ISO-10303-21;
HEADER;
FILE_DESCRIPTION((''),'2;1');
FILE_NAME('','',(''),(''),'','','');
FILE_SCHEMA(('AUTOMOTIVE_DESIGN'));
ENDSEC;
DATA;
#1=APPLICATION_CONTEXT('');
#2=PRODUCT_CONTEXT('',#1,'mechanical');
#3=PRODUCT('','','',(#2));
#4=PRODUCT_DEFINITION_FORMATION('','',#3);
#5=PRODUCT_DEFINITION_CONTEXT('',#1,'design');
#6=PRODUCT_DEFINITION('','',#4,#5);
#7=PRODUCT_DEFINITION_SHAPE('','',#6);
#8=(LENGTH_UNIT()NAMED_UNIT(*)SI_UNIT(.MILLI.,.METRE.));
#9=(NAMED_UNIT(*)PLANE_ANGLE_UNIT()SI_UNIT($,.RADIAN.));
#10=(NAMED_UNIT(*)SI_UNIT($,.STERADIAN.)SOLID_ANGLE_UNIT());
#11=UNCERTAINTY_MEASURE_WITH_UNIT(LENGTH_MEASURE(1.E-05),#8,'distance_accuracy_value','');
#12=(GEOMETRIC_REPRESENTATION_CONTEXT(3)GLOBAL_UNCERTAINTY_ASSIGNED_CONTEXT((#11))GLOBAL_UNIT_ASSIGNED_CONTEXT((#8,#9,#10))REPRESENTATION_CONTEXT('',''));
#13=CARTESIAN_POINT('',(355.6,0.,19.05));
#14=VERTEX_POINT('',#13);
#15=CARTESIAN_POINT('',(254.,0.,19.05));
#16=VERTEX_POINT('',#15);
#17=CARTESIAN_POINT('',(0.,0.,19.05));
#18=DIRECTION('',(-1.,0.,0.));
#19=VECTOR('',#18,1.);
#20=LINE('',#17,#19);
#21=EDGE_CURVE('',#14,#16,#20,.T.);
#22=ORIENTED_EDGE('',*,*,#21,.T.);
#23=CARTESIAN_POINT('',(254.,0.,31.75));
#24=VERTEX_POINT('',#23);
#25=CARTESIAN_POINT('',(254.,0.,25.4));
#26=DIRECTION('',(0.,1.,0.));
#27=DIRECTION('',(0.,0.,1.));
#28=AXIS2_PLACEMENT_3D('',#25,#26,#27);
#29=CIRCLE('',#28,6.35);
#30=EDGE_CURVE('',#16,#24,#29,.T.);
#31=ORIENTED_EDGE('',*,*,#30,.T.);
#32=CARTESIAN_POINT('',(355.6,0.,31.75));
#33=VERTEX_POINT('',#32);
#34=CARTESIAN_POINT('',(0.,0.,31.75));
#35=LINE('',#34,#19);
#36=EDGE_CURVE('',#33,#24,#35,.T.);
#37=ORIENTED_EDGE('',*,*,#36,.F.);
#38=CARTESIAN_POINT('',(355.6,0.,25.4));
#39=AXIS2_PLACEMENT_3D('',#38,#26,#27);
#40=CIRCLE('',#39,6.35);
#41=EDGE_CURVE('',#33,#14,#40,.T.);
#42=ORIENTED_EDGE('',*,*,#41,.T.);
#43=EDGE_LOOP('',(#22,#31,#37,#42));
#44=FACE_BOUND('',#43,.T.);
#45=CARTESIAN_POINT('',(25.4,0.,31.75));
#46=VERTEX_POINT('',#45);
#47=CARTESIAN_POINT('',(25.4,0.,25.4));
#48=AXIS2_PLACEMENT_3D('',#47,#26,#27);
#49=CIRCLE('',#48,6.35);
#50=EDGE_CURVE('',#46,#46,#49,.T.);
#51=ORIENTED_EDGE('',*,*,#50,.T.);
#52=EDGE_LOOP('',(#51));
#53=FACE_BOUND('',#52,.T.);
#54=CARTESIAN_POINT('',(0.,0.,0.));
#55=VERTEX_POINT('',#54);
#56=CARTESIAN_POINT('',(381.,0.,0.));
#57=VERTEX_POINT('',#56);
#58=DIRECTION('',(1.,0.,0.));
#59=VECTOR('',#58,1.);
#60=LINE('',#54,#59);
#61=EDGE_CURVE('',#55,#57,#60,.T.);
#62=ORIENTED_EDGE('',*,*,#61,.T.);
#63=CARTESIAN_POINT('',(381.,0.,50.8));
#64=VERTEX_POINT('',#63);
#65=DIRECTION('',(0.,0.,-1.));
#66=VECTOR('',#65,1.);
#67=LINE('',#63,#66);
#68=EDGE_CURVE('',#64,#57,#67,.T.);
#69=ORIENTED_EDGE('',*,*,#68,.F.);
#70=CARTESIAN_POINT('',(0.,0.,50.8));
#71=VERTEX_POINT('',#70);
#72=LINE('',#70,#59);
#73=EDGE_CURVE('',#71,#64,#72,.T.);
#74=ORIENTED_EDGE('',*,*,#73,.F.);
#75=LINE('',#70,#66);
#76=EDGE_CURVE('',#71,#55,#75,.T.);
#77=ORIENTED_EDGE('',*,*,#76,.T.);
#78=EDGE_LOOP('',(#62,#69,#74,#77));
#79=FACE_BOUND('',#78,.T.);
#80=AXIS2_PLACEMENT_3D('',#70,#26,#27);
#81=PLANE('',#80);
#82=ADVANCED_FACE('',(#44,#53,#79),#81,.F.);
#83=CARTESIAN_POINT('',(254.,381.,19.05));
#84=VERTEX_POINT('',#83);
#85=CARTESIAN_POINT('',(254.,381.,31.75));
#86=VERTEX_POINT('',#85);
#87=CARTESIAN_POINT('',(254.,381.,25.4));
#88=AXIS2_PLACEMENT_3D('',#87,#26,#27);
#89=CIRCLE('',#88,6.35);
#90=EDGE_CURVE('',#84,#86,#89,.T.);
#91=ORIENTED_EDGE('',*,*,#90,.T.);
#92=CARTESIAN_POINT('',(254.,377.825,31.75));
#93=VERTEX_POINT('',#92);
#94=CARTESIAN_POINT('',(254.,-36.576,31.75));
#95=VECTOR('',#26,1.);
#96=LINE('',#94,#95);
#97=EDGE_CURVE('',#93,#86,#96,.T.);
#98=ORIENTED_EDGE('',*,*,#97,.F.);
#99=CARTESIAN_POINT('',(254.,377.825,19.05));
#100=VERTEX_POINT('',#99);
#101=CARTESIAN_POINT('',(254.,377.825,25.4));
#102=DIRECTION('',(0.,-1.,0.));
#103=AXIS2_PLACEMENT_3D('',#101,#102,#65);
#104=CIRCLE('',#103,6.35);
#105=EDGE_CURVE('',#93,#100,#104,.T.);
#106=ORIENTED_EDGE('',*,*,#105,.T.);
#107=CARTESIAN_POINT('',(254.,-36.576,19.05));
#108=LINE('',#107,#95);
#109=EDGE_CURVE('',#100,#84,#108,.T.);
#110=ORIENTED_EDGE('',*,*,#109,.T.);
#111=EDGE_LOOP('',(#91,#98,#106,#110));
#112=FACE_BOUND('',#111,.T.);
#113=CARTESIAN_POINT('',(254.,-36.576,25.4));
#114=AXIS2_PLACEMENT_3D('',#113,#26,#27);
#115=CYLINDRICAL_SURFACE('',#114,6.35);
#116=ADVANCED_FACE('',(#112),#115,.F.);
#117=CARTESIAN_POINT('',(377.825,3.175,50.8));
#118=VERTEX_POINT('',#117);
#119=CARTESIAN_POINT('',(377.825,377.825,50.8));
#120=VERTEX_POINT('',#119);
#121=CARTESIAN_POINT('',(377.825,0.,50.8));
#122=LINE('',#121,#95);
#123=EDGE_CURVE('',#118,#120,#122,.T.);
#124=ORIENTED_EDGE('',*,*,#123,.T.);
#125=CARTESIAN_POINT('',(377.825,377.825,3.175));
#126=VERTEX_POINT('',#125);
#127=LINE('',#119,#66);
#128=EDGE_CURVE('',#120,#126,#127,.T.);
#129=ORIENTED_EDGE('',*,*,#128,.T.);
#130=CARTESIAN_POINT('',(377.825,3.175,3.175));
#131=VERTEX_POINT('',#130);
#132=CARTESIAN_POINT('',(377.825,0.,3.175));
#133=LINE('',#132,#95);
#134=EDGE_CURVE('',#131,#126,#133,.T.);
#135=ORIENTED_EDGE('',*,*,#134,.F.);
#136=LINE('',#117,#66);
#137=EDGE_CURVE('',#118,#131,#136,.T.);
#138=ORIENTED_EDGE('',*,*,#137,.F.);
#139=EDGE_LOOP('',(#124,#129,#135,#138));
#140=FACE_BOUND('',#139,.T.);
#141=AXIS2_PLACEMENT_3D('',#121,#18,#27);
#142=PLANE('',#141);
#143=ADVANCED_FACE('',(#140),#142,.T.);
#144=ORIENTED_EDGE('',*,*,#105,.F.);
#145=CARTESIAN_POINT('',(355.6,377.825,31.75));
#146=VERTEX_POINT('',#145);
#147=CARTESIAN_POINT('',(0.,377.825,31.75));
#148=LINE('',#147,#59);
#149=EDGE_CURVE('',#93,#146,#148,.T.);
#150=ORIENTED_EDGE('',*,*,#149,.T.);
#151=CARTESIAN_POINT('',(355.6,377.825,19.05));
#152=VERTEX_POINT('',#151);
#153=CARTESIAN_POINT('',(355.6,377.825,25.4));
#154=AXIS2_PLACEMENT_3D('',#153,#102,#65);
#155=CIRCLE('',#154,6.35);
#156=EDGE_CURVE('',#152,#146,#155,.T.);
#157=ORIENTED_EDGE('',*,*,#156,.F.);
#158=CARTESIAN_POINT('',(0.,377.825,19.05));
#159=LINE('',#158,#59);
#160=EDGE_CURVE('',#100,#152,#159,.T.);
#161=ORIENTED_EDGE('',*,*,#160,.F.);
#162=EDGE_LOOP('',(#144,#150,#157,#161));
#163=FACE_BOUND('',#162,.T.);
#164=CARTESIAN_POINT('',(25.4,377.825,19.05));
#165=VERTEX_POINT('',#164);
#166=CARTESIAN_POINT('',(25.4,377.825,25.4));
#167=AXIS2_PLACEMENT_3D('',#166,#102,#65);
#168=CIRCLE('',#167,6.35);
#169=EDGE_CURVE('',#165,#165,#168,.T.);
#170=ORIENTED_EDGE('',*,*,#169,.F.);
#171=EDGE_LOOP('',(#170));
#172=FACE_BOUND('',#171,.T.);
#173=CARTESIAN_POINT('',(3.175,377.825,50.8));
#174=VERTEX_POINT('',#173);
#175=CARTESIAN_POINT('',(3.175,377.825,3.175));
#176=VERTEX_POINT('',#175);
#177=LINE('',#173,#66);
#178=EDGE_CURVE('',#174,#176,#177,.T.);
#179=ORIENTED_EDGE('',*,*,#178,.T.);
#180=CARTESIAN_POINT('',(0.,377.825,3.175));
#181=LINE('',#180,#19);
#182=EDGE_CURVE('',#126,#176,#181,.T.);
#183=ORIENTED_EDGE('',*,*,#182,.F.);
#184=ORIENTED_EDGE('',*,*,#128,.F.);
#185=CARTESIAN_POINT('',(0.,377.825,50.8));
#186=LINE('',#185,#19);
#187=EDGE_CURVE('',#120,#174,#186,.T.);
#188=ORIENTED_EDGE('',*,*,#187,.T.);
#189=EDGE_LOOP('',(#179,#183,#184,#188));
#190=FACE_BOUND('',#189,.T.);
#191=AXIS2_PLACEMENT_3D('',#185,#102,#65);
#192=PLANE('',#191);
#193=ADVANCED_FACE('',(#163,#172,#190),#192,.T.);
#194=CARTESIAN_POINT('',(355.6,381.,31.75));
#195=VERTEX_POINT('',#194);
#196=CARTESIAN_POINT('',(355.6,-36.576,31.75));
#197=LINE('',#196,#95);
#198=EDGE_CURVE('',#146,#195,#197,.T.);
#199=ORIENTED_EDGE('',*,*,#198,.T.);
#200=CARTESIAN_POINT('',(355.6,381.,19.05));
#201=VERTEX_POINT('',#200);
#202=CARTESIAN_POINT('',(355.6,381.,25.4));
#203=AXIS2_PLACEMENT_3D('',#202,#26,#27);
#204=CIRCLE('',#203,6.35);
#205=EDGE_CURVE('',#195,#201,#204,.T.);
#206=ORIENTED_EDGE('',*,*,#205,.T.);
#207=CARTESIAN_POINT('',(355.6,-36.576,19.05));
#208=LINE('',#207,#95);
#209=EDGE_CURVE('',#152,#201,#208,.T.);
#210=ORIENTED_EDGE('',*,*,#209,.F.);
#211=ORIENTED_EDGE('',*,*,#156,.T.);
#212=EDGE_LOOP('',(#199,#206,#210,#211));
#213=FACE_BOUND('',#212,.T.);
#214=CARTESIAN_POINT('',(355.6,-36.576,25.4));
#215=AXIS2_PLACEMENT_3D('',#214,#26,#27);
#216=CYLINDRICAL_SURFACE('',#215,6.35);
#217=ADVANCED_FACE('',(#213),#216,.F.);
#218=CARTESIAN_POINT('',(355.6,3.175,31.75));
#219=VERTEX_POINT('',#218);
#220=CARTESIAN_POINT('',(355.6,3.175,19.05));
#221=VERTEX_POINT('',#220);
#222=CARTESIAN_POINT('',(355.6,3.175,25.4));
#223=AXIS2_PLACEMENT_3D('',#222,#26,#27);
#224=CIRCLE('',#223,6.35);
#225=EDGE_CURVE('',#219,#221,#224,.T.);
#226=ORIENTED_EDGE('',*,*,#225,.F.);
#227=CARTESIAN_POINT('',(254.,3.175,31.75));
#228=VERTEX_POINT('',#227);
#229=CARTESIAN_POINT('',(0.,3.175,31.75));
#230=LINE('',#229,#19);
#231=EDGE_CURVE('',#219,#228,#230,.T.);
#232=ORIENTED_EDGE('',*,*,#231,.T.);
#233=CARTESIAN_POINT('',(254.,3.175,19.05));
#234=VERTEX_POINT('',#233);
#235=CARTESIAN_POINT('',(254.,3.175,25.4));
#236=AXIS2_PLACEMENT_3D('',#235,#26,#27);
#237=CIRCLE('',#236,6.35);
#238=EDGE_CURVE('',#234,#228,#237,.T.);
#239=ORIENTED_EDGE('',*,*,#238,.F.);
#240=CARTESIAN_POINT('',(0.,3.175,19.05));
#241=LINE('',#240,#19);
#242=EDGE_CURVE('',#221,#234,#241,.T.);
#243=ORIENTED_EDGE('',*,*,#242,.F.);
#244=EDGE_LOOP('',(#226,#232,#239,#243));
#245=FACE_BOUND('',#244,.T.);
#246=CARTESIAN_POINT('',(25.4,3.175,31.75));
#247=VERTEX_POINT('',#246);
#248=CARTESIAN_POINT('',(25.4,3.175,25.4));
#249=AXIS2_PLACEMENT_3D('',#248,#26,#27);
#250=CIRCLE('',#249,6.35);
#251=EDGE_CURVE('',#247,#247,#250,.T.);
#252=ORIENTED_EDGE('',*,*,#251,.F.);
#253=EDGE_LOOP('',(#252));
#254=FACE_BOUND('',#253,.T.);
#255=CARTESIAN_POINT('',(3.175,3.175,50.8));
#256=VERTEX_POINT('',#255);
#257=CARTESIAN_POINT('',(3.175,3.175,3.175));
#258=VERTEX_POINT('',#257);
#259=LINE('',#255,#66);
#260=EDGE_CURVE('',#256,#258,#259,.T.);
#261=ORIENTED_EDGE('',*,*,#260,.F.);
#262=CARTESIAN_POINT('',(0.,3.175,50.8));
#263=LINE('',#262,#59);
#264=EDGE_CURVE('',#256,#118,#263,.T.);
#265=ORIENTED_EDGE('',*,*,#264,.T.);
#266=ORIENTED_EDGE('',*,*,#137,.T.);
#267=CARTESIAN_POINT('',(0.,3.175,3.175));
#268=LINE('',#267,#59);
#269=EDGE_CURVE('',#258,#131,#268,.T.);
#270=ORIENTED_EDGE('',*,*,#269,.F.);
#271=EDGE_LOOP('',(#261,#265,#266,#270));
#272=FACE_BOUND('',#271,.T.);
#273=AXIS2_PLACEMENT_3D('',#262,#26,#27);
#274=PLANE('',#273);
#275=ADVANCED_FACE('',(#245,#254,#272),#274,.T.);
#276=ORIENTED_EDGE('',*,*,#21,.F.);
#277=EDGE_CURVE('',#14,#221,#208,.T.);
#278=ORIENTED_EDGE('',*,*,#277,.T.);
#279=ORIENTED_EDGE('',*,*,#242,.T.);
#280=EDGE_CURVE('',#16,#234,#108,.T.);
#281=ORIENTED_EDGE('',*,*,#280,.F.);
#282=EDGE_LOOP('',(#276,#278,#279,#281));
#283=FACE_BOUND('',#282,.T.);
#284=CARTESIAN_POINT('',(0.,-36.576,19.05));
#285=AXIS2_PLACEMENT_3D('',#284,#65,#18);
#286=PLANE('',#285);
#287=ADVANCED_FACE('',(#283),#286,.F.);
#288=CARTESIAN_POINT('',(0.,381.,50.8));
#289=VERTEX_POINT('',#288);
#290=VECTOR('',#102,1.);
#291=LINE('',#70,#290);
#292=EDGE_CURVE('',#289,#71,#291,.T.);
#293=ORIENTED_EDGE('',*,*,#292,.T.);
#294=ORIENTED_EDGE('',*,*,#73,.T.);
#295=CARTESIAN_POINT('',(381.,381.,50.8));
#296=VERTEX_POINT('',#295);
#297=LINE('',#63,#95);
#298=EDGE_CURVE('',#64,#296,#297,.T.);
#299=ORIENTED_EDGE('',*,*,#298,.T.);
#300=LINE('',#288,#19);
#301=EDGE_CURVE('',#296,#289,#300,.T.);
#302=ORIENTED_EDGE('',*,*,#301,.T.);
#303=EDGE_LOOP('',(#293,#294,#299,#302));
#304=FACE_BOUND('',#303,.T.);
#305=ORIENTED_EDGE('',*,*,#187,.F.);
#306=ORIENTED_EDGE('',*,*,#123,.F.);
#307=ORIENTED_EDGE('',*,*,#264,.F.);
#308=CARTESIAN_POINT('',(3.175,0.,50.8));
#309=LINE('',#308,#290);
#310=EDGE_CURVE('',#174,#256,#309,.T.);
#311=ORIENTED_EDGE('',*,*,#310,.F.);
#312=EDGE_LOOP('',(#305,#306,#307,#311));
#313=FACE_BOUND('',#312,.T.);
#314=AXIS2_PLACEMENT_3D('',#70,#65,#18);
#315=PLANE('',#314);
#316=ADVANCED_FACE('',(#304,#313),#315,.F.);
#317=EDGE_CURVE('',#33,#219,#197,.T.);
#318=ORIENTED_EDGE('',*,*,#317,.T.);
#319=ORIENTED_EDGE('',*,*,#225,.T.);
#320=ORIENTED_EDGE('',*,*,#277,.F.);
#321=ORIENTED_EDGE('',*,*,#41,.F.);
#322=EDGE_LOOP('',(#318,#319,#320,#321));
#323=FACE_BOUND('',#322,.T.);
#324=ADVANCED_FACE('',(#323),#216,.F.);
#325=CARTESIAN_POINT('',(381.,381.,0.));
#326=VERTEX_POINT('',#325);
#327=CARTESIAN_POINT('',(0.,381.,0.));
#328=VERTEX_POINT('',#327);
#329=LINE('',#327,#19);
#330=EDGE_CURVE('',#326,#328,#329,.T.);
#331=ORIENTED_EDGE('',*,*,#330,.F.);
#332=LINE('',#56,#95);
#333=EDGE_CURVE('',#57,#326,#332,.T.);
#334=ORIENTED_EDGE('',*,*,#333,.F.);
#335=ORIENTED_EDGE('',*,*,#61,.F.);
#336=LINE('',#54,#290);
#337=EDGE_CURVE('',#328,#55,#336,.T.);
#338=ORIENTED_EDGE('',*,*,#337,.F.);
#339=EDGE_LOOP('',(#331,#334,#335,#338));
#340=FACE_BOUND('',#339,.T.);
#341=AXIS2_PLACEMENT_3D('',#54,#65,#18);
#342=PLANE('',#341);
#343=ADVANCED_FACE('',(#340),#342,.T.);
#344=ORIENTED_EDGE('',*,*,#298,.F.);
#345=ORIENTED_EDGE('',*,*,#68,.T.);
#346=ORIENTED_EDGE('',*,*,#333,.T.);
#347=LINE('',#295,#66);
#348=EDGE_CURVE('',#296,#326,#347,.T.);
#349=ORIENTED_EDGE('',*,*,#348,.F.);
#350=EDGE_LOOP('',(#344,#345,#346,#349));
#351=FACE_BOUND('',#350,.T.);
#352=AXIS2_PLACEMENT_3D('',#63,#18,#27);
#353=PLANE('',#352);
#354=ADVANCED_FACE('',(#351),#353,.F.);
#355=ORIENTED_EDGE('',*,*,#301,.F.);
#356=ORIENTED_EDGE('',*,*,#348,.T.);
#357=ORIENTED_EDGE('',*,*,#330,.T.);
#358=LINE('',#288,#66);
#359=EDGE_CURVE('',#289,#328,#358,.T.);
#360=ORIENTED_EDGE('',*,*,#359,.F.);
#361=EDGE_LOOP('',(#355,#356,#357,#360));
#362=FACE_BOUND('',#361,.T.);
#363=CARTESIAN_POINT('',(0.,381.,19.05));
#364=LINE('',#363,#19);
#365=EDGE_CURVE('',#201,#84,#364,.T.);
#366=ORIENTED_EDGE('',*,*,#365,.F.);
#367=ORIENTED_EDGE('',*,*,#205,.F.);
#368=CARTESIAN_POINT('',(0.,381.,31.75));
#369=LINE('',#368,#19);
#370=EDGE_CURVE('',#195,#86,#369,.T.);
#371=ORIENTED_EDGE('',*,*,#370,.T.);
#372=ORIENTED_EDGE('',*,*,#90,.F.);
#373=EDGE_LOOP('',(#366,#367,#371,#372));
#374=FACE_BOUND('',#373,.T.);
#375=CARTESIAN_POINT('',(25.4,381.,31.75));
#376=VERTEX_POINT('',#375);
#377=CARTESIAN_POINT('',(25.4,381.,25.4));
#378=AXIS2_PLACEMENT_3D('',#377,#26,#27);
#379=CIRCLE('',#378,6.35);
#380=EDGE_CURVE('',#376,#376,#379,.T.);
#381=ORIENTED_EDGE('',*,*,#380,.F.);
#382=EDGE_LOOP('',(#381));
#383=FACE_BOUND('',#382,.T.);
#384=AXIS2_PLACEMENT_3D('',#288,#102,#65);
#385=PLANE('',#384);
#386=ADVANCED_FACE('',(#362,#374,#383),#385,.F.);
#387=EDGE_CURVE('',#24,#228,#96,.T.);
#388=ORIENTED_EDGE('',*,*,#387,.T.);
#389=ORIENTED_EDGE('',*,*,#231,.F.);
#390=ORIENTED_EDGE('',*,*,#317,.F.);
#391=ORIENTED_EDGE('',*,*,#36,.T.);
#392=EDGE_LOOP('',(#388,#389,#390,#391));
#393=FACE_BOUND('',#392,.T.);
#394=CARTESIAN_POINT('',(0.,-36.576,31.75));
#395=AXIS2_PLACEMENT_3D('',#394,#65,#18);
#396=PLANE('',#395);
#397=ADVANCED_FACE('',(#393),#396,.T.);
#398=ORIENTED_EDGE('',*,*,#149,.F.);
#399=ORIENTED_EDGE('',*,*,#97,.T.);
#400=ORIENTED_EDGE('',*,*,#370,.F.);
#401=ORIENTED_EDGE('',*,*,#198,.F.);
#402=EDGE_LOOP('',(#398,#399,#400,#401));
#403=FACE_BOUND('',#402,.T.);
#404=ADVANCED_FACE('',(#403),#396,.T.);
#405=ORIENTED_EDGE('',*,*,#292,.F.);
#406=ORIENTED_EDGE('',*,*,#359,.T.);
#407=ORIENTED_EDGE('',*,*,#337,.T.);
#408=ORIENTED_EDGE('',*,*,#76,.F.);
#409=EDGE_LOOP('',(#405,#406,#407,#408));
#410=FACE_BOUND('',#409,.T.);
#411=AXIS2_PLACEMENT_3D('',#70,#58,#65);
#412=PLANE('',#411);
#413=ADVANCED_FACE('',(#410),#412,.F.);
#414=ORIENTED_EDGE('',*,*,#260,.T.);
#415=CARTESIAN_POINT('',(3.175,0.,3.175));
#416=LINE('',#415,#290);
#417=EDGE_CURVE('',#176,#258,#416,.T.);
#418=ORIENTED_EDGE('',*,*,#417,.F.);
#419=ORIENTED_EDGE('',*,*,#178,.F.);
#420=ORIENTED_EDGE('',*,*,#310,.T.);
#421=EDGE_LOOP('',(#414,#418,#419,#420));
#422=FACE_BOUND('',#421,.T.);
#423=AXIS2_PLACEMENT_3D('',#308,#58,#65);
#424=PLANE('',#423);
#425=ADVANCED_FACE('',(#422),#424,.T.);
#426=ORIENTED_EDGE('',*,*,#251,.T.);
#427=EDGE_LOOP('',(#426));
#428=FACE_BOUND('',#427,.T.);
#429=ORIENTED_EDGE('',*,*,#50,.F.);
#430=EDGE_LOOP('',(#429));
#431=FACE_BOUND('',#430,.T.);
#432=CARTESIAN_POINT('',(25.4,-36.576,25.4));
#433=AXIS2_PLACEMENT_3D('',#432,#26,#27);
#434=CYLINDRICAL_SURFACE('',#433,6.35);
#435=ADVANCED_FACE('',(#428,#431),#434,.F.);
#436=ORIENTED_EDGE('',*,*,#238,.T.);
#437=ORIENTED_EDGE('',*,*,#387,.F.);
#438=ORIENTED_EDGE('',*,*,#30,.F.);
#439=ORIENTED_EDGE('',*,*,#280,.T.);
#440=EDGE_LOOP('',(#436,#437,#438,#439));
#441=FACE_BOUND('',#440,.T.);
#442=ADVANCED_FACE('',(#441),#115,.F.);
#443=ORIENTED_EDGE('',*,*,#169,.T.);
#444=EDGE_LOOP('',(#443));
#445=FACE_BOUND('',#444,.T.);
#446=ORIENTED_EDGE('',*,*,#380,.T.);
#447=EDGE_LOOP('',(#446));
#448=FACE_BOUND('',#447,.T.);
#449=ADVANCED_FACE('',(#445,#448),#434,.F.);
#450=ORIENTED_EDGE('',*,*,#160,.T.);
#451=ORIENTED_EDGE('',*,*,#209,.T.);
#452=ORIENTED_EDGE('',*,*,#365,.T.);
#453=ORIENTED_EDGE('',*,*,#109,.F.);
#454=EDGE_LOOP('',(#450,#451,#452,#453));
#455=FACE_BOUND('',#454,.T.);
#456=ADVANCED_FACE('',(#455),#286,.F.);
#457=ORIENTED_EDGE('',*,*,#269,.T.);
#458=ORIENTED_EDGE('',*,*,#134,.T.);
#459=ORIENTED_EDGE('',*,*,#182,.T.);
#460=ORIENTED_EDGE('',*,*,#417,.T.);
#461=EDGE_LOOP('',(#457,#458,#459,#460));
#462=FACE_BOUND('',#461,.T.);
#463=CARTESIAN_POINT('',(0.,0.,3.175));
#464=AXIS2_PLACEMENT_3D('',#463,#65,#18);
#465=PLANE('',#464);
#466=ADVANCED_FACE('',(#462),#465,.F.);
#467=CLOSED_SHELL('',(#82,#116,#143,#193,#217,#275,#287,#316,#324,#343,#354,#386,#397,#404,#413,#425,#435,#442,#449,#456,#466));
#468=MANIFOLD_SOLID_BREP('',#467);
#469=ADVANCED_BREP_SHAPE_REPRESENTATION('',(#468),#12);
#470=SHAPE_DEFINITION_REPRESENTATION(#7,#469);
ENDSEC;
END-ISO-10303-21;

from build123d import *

# Parameters (mm, degrees)
SKETCH1_W           = 381
SKETCH1_H           = 381
BOSS_EXTRUDE1_DEPTH = 50.8
SHELL1_T            = -3.175
SKETCH2_R           = 6.35
CUT_EXTRUDE1_DEPTH  = 417.576
SKETCH4_R           = 6.35
CUT_EXTRUDE2_DEPTH  = 417.576


with BuildPart() as part:
    # Sketch1 → Boss-Extrude1 (new body)
    with BuildSketch(Plane.XY):
        with Locations((190.5, 190.5)):
            Rectangle(SKETCH1_W, SKETCH1_H)
    extrude(amount=BOSS_EXTRUDE1_DEPTH)

    # Shell1
    shell1_openings = [part.faces().sort_by_distance(p)[0] for p in [
        (190.5, 190.5, 50.8),
    ]]
    offset(amount=SHELL1_T, openings=shell1_openings, kind=Kind.INTERSECTION)

    # Sketch2 → Cut-Extrude1 (cut)
    with BuildSketch(Plane(origin=(0, 381, 0), x_dir=(1, 0, 0), z_dir=(0, 1, 0))):
        with Locations(Location((25.4, -25.4, 0), (0, 0, 270))):
            Circle(SKETCH2_R)
    extrude(amount=-CUT_EXTRUDE1_DEPTH, mode=Mode.SUBTRACT)

    # Sketch4 → Cut-Extrude2 (cut)
    with BuildSketch(Plane(origin=(0, 381, 0), x_dir=(1, 0, 0), z_dir=(0, 1, 0))):
        with Locations((254, -25.4)):
            Circle(SKETCH4_R)
        with BuildLine():
            Line((254, -31.75), (355.6, -31.75))
            ThreePointArc((355.6, -31.75), (349.25, -25.4), (355.6, -19.05))
            Line((355.6, -19.05), (254, -19.05))
            ThreePointArc((254, -19.05), (258.490128061, -20.909871939), (260.35, -25.4))
            ThreePointArc((260.35, -25.4), (258.490128061, -29.890128061), (254, -31.75))
        make_face()
        with Locations((355.6, -25.4)):
            Circle(SKETCH4_R)
    extrude(amount=-CUT_EXTRUDE2_DEPTH, mode=Mode.SUBTRACT)


solid = part.part
